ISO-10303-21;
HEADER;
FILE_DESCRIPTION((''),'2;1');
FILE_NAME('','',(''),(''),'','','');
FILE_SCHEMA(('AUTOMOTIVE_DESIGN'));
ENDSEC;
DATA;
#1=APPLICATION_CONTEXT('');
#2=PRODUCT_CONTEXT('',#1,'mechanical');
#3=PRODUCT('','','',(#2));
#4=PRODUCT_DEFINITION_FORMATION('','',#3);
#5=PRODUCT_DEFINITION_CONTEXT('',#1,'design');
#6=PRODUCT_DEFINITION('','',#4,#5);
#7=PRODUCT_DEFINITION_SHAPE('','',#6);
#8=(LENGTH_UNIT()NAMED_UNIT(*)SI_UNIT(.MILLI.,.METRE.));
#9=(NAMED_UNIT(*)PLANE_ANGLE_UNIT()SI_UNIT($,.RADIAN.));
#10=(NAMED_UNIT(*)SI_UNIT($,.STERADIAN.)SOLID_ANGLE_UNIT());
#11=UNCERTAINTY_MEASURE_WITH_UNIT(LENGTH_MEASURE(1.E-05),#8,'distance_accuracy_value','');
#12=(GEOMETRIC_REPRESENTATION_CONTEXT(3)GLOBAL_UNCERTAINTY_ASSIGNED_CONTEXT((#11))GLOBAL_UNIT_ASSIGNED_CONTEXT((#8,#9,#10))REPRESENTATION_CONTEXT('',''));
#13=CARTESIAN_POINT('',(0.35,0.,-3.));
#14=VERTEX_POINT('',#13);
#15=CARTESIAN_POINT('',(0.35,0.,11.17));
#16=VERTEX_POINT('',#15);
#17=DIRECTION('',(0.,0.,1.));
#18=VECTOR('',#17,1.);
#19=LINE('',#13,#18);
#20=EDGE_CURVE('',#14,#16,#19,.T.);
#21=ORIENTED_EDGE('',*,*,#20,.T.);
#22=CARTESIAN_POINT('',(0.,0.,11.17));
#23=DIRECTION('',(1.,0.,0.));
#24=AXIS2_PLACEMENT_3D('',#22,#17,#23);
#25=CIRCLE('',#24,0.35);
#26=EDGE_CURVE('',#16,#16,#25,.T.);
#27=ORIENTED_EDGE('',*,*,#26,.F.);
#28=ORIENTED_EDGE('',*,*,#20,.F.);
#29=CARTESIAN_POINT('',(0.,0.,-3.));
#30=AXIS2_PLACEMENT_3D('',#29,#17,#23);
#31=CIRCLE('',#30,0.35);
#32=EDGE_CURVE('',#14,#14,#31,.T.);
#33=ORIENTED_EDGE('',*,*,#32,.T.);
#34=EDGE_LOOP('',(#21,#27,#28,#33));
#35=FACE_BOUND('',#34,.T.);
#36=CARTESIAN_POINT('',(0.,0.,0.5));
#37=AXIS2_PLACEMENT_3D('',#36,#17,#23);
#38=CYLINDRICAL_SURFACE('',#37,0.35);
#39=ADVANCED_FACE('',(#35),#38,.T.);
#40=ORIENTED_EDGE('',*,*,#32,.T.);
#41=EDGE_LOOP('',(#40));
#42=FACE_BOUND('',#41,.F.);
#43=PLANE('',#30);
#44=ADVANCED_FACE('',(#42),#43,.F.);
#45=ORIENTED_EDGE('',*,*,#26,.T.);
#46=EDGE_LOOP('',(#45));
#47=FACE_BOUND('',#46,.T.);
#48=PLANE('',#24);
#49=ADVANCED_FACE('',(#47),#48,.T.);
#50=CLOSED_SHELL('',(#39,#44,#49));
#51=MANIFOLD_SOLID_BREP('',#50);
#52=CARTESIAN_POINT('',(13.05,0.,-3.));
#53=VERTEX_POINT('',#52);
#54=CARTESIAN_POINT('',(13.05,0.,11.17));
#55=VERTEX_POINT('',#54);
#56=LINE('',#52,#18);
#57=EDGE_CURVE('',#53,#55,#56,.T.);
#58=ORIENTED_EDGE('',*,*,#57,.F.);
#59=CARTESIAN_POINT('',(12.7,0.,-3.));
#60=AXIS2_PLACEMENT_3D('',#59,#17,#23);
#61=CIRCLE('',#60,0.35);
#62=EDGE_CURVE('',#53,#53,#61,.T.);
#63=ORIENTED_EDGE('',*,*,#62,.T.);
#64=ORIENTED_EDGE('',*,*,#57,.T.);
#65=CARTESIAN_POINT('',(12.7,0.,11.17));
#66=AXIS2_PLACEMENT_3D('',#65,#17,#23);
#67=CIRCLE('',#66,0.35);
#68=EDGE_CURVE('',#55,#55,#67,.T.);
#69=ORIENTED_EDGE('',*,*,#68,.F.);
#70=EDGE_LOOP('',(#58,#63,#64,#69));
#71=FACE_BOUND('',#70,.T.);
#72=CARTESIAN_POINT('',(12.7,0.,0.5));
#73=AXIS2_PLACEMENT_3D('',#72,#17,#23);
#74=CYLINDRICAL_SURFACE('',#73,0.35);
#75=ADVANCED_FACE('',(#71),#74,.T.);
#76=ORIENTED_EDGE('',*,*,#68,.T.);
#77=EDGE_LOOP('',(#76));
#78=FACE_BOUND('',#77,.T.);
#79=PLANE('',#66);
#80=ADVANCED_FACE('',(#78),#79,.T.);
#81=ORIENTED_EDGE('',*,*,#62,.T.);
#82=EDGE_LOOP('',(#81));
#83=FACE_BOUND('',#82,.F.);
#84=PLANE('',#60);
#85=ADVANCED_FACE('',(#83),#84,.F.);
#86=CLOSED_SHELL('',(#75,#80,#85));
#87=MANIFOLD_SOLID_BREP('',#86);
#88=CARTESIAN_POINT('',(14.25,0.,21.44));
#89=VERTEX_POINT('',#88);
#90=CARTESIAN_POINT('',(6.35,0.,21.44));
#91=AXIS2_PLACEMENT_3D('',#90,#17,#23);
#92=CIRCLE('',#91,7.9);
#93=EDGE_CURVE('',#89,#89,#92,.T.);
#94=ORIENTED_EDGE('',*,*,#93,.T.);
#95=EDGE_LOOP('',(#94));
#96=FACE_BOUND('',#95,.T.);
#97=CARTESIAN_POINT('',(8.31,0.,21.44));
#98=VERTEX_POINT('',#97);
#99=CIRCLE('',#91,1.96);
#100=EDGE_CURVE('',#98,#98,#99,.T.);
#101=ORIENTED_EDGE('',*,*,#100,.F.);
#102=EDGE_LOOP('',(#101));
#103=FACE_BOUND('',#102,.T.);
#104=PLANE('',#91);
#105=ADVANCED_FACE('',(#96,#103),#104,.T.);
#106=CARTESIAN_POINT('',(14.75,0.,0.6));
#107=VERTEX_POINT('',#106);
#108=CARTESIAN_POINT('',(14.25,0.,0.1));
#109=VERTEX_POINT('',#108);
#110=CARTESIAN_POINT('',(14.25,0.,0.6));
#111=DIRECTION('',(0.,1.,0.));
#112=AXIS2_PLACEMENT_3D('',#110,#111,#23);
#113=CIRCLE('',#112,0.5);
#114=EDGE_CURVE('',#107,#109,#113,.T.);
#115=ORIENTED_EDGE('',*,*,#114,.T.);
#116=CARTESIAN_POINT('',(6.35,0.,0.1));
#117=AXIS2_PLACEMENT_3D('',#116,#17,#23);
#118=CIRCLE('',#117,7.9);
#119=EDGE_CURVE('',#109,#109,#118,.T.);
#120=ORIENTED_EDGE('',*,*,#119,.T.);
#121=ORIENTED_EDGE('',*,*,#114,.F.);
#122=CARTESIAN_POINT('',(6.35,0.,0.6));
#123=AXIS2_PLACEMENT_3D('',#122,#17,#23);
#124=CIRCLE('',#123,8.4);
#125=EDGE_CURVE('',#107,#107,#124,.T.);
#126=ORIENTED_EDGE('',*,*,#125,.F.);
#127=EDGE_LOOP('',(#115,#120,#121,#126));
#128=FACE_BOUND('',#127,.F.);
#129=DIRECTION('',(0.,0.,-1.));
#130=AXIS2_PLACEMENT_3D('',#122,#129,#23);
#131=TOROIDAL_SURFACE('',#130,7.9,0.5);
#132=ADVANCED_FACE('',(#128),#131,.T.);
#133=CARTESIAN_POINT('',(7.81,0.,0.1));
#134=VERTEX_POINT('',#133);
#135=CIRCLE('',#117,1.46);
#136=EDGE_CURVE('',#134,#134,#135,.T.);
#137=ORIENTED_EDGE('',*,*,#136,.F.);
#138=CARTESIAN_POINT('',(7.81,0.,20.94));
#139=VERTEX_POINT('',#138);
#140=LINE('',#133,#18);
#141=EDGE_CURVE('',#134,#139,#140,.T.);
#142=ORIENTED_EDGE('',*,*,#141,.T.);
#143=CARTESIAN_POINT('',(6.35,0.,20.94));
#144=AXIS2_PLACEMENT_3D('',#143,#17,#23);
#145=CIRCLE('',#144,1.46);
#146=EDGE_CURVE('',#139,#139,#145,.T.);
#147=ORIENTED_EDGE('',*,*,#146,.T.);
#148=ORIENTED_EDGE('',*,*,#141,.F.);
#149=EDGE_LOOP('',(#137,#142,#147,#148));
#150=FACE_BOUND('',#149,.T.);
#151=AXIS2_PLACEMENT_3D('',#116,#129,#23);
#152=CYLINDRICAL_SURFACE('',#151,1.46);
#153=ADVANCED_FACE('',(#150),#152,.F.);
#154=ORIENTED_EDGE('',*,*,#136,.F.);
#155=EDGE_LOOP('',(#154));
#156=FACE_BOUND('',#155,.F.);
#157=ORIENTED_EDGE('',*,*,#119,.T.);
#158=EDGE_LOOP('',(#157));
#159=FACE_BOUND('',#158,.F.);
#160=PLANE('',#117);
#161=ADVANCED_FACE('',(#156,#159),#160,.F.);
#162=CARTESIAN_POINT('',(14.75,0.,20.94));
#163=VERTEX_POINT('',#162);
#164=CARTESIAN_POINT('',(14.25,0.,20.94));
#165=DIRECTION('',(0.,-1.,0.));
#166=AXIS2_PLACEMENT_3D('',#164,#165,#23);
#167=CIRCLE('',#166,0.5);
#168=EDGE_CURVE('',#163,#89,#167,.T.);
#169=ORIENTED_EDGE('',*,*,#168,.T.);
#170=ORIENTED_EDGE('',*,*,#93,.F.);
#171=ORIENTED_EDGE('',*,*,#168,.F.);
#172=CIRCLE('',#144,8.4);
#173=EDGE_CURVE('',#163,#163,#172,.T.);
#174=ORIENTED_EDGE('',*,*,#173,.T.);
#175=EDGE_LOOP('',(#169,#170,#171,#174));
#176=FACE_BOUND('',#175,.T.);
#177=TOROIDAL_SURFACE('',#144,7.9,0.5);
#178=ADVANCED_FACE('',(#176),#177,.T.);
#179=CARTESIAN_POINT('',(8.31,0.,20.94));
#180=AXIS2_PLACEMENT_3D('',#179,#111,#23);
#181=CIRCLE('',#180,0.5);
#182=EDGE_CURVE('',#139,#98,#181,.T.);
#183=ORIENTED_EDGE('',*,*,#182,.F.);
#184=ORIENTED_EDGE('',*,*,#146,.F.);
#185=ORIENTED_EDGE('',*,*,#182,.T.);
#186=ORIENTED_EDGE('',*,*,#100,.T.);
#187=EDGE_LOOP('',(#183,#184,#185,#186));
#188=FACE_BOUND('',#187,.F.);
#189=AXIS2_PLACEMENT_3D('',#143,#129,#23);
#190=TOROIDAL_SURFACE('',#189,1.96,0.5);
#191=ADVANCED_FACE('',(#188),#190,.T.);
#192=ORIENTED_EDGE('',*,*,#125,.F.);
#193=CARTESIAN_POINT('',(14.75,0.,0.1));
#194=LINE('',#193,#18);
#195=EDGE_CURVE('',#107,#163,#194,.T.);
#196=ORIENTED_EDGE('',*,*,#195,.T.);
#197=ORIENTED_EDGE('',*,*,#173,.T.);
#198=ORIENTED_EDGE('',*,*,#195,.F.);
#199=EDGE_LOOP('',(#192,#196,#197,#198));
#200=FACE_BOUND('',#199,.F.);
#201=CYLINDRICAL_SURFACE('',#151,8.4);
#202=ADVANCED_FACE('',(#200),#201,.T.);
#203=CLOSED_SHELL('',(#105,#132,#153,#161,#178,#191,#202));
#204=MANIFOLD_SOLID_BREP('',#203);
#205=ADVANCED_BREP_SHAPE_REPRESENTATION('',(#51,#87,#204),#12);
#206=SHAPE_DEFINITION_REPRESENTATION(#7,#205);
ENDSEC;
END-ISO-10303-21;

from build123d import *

# Parameters (mm, degrees)
SKETCH001_R       = 0.35
PAD001_DEPTH      = 10.67
PAD001_DEPTH_BACK = 3.5
SKETCH_R          = 8.4
SKETCH_R_2        = 1.46
PAD_DEPTH         = 21.34
FILLET_R          = 0.5


with BuildPart() as pad001:
    # Sketch001 → Pad001 (new body, two sides)
    with BuildSketch(Plane.XY.offset(0.5)) as pad001_sk:
        Circle(SKETCH001_R)
        with Locations((12.7, 0)):
            Circle(SKETCH001_R)
    extrude(amount=PAD001_DEPTH)
    extrude(pad001_sk.sketch, amount=-PAD001_DEPTH_BACK)


with BuildPart() as fillet_body:
    # Sketch → Pad (new body)
    with BuildSketch(Plane.XY.offset(0.1)):
        with Locations((6.35, 0)):
            Circle(SKETCH_R)
        with Locations((6.35, 0)):
            Circle(SKETCH_R_2, mode=Mode.SUBTRACT)
    extrude(amount=PAD_DEPTH)

    # Fillet
    fillet_edges = [fillet_body.edges().sort_by_distance(p)[0] for p in [
        (4.89, 0, 21.44),
        (-2.05, 0, 21.44),
        (-2.05, 0, 0.1),
    ]]
    fillet(fillet_edges, radius=FILLET_R)


solid = Compound([pad001.part, fillet_body.part])
